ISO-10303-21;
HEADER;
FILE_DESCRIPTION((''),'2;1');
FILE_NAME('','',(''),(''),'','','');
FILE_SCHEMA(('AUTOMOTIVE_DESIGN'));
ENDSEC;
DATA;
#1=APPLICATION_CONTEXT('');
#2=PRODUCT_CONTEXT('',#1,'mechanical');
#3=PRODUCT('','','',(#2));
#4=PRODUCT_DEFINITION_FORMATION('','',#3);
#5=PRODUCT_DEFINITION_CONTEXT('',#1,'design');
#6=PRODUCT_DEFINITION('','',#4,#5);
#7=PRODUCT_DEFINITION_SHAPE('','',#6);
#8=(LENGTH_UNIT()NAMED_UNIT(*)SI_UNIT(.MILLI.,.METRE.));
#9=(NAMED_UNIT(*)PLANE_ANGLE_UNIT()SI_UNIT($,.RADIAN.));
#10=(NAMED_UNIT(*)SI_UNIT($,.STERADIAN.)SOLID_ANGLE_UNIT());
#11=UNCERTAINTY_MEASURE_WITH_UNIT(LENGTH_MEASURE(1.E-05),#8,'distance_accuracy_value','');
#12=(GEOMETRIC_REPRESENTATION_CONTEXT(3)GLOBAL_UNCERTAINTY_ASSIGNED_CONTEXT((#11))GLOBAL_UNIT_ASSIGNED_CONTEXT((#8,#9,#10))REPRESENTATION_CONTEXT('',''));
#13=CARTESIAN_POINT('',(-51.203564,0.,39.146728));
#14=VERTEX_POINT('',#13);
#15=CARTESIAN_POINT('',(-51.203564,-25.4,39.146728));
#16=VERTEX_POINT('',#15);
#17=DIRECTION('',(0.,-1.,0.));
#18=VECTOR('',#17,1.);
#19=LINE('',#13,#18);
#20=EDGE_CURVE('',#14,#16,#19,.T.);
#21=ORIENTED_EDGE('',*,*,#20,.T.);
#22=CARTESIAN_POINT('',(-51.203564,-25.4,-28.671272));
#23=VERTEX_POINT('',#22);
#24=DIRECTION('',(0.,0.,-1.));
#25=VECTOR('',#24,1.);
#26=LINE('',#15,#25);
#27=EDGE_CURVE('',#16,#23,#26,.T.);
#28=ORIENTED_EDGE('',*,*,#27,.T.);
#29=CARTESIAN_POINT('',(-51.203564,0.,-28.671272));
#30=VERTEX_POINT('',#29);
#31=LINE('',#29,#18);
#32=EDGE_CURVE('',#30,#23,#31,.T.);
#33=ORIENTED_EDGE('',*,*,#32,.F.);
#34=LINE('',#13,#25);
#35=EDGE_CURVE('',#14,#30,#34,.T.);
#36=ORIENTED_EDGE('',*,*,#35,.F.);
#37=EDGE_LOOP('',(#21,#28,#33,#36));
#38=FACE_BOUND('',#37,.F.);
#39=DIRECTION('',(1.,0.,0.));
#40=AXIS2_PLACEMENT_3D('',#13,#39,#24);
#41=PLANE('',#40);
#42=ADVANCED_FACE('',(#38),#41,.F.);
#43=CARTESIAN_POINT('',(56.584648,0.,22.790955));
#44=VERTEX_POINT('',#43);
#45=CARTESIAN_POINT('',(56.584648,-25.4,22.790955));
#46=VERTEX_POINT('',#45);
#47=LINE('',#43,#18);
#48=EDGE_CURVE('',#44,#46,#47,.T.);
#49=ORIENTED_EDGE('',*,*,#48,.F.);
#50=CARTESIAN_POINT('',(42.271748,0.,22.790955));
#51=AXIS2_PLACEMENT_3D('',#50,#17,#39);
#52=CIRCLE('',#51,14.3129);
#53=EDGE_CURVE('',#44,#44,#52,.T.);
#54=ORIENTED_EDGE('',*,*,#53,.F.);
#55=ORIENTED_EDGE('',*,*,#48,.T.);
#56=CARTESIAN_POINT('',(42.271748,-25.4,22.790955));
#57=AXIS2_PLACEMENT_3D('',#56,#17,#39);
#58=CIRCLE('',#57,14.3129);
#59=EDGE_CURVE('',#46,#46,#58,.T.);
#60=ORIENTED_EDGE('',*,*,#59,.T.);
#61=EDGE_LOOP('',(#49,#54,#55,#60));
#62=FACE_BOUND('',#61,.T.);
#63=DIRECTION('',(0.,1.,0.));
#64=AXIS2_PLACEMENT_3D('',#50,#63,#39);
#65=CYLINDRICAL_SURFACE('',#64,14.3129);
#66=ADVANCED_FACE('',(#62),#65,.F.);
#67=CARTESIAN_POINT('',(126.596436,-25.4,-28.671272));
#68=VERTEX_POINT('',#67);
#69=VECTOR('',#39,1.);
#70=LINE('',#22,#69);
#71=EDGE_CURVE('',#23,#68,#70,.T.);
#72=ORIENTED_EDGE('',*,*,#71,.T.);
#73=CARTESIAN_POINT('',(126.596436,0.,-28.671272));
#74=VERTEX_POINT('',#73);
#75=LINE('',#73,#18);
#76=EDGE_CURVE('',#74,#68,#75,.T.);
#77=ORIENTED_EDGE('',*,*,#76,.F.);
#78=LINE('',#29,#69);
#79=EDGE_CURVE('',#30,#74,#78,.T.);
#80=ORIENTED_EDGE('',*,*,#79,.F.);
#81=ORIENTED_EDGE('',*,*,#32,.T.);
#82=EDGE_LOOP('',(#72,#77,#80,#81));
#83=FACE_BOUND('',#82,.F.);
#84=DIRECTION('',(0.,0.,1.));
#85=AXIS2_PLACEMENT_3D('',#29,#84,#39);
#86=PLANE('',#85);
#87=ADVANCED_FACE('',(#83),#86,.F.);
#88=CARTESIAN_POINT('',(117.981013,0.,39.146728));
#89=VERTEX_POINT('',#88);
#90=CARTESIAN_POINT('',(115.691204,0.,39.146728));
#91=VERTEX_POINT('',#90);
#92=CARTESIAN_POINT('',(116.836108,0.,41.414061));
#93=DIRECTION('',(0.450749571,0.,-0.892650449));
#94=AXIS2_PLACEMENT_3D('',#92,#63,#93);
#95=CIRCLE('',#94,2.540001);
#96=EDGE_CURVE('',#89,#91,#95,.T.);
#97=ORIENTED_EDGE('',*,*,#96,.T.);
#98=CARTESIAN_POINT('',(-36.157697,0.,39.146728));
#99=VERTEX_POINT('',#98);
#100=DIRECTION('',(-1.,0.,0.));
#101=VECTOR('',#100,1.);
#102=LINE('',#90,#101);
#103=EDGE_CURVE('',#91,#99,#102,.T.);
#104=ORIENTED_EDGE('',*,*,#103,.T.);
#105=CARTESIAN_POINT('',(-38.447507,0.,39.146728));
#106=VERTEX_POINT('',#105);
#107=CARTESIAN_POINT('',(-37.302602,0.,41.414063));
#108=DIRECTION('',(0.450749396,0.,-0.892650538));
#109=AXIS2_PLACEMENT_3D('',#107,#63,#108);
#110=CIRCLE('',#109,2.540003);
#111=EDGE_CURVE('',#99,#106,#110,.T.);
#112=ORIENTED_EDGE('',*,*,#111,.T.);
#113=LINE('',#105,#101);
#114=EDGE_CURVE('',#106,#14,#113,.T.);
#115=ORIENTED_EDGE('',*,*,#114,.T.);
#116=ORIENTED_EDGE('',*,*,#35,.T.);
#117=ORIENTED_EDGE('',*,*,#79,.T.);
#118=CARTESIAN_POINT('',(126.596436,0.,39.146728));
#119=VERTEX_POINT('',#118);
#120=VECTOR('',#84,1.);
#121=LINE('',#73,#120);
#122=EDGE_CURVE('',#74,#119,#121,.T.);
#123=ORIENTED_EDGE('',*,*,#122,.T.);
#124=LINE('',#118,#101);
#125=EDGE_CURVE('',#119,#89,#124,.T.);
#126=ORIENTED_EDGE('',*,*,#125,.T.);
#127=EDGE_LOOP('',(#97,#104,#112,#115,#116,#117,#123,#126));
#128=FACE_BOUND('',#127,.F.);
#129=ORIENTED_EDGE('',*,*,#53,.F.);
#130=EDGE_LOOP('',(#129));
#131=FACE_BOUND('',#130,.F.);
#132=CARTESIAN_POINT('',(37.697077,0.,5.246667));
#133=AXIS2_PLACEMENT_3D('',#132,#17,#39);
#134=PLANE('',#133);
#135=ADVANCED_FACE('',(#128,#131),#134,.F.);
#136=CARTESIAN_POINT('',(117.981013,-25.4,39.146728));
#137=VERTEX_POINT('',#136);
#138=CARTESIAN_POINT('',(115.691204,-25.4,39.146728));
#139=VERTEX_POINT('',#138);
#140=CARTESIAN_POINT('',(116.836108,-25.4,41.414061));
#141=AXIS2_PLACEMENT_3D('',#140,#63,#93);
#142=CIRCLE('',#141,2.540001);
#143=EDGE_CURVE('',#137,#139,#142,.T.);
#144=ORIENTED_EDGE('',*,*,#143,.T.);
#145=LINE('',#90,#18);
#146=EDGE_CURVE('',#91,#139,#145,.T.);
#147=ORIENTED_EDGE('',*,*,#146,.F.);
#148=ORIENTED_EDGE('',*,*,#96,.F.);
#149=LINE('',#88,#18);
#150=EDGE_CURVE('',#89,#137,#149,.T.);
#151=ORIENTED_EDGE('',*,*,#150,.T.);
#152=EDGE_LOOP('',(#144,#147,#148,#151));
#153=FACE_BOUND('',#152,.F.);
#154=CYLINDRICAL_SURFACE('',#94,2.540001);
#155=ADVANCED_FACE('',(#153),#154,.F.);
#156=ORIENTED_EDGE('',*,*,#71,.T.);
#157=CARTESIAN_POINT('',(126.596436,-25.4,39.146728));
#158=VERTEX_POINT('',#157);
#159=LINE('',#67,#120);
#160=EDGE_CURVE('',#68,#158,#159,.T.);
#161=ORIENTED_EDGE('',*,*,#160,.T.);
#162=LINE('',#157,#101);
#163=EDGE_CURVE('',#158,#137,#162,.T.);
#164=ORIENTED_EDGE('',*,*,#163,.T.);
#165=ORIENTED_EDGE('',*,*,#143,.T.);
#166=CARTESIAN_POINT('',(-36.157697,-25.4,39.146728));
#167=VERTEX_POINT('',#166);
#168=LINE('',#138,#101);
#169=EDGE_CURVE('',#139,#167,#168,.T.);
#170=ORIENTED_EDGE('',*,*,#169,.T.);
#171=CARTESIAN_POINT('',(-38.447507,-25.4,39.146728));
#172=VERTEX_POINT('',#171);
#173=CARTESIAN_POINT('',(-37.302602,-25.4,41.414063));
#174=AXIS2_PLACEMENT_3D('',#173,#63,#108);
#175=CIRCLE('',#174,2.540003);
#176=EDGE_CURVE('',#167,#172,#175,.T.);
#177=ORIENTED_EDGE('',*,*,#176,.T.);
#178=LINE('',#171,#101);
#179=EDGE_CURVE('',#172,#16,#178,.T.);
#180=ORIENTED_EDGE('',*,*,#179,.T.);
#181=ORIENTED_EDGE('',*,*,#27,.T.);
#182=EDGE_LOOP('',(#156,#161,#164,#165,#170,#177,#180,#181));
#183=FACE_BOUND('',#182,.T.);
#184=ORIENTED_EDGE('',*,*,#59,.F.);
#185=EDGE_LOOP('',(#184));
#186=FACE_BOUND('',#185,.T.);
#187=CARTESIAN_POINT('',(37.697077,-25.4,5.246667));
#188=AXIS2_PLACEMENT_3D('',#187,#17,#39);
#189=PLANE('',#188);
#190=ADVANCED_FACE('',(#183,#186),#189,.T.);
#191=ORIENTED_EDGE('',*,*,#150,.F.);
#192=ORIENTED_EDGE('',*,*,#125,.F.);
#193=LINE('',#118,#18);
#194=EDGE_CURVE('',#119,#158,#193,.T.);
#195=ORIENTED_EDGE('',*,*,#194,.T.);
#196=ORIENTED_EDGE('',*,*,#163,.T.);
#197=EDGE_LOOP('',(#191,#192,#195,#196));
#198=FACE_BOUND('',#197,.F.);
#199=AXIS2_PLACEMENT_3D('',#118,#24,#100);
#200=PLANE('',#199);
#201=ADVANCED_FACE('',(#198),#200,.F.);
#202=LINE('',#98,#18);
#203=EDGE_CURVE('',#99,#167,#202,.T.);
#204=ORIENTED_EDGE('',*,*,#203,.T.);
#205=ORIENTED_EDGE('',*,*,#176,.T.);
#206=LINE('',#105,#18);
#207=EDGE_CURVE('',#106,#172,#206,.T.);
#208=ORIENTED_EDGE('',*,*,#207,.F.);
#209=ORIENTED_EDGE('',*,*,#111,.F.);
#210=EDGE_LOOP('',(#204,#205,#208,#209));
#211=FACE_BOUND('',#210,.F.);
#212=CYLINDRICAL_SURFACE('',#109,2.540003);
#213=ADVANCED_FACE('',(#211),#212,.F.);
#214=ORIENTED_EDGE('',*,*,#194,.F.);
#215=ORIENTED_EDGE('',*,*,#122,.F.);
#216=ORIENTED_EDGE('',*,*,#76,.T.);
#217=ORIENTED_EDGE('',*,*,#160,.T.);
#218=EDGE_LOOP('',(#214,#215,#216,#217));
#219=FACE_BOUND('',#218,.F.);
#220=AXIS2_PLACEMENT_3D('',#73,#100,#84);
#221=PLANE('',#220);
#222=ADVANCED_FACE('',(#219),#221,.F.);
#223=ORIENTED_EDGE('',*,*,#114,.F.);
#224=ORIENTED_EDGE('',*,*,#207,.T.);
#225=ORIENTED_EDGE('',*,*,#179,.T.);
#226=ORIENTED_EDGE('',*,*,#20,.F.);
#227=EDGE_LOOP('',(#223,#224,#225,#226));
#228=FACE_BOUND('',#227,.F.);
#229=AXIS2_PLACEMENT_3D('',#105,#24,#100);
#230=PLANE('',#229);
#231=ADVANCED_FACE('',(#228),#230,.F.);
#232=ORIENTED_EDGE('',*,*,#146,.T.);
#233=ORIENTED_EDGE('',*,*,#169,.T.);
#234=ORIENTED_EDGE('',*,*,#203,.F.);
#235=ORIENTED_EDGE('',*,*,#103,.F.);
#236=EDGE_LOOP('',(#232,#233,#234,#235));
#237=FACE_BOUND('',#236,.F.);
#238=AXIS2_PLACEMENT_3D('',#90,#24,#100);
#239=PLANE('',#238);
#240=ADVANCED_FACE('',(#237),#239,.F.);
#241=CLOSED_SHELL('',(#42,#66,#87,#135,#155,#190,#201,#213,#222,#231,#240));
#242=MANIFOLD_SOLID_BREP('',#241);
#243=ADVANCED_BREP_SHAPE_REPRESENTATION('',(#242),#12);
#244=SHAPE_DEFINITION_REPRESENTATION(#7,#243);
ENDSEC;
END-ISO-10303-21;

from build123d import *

# Parameters (mm, degrees)
F0_R     = 14.3129
F1_DEPTH = 25.4


with BuildPart() as f1:
    # F0 (on Front) → F1 (new body)
    with BuildSketch(Plane.XZ):
        with BuildLine():
            Line((-38.447507, 39.146728), (-51.203564, 39.146728))
            Line((-51.203564, 39.146728), (-51.203564, -28.671272))
            Line((-51.203564, -28.671272), (126.596436, -28.671272))
            Line((126.596436, -28.671272), (126.596436, 39.146728))
            Line((126.596436, 39.146728), (117.981013, 39.146728))
            ThreePointArc((117.981013, 39.146728), (116.836108, 38.87406), (115.691204, 39.146728))
            Line((115.691204, 39.146728), (-36.157697, 39.146728))
            ThreePointArc((-36.157697, 39.146728), (-37.302602, 38.87406), (-38.447507, 39.146728))
        make_face()
        with Locations((42.271748, 22.790955)):
            Circle(F0_R, mode=Mode.SUBTRACT)
    extrude(amount=F1_DEPTH)


solid = f1.part
